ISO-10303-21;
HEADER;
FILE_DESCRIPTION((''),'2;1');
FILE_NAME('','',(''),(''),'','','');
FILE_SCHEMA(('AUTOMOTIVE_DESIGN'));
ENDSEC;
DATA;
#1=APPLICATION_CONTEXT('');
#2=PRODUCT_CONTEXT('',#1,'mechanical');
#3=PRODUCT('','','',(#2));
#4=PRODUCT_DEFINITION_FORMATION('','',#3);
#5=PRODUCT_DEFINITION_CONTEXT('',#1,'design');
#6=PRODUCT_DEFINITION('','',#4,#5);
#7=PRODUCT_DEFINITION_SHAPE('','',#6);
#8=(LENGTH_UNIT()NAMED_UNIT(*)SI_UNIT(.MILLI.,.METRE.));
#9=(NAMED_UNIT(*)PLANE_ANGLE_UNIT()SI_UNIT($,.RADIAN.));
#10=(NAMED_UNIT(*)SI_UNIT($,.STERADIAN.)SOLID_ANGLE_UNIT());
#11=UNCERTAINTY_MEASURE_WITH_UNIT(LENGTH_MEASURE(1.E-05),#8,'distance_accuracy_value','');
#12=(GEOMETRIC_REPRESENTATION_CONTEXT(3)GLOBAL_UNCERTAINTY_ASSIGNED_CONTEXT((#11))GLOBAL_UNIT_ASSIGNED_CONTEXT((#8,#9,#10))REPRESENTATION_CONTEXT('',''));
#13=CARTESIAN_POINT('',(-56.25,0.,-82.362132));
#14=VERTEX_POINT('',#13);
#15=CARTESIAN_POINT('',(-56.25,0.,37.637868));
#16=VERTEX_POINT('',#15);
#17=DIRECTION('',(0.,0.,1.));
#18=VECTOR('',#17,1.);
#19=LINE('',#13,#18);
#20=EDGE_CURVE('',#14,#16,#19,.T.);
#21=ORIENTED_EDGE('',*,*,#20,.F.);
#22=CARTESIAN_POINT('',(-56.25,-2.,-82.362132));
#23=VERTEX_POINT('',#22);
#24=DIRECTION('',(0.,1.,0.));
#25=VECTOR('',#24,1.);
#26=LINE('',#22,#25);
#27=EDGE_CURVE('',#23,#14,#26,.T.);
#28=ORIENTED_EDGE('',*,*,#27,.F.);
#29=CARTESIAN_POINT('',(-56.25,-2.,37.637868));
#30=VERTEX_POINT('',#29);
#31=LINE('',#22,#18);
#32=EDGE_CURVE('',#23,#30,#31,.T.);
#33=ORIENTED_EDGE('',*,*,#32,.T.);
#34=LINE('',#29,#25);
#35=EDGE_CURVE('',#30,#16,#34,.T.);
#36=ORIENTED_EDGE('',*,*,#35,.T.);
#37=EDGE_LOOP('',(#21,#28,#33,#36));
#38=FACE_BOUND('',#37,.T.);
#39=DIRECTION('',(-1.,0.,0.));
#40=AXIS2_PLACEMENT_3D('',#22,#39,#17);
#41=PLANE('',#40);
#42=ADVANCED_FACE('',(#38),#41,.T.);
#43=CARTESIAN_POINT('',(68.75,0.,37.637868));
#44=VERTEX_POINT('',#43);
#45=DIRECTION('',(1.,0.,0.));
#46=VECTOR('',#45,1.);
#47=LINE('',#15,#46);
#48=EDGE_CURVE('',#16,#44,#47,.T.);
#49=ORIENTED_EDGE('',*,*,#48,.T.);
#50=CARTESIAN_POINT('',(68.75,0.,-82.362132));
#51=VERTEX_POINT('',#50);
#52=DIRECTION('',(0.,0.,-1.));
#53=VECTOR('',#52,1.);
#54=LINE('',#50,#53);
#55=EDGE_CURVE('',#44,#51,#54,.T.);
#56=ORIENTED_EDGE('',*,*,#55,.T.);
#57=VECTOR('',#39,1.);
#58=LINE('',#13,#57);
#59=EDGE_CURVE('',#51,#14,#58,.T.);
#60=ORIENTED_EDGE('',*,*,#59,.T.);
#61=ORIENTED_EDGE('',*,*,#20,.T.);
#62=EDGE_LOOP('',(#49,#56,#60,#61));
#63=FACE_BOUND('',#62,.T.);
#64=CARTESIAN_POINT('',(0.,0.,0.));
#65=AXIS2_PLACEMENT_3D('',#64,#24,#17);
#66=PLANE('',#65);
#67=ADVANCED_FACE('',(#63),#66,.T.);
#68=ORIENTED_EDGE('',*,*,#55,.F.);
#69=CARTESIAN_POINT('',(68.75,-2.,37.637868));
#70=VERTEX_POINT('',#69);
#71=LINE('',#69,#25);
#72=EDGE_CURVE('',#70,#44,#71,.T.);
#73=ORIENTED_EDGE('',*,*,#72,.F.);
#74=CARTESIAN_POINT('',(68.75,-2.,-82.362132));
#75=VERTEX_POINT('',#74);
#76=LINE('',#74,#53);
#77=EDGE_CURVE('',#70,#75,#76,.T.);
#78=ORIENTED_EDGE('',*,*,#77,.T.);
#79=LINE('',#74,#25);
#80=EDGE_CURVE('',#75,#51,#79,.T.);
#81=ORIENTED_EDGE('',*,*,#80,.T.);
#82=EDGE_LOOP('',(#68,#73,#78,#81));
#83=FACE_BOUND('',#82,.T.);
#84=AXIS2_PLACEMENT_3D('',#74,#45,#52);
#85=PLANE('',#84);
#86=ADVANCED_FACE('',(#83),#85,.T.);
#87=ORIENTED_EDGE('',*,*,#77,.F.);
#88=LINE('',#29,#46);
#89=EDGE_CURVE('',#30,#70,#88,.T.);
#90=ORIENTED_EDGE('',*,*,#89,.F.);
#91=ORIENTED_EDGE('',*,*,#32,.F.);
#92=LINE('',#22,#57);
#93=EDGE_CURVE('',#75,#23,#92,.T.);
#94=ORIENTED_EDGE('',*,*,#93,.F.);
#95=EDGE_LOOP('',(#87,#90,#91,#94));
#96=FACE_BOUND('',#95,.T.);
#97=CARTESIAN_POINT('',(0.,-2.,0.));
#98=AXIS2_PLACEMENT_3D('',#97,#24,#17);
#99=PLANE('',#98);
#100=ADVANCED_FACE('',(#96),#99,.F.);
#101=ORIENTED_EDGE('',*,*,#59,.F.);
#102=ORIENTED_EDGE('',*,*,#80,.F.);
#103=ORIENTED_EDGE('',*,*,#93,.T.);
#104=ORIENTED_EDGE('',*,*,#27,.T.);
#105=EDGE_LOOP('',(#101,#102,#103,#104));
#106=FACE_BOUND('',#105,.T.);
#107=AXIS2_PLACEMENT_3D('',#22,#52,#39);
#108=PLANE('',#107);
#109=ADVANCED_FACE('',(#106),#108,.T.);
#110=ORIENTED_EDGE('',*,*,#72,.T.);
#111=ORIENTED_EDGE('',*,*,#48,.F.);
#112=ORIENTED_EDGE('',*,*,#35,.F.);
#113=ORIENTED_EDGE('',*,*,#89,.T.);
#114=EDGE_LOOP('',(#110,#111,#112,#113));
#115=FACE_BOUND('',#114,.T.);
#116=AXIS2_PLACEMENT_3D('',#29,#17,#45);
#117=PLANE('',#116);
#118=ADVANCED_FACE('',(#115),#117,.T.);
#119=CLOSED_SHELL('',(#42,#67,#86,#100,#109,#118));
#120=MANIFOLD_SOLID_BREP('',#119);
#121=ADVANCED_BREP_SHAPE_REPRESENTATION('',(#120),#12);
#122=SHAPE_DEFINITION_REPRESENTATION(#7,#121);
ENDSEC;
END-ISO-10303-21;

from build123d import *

# Parameters (mm, degrees)
SKETCH_1_W      = 125
SKETCH_1_H      = 120
EXTRUDE_1_DEPTH = 2


with BuildPart() as part:
    # 草圖1 → 填料-伸長1 (new body)
    with BuildSketch(Plane(origin=(0, 0, 0), x_dir=(1, 0, 0), z_dir=(0, 1, 0))):
        with Locations((6.25, 22.362132353)):
            Rectangle(SKETCH_1_W, SKETCH_1_H)
    extrude(amount=-EXTRUDE_1_DEPTH)


solid = part.part
